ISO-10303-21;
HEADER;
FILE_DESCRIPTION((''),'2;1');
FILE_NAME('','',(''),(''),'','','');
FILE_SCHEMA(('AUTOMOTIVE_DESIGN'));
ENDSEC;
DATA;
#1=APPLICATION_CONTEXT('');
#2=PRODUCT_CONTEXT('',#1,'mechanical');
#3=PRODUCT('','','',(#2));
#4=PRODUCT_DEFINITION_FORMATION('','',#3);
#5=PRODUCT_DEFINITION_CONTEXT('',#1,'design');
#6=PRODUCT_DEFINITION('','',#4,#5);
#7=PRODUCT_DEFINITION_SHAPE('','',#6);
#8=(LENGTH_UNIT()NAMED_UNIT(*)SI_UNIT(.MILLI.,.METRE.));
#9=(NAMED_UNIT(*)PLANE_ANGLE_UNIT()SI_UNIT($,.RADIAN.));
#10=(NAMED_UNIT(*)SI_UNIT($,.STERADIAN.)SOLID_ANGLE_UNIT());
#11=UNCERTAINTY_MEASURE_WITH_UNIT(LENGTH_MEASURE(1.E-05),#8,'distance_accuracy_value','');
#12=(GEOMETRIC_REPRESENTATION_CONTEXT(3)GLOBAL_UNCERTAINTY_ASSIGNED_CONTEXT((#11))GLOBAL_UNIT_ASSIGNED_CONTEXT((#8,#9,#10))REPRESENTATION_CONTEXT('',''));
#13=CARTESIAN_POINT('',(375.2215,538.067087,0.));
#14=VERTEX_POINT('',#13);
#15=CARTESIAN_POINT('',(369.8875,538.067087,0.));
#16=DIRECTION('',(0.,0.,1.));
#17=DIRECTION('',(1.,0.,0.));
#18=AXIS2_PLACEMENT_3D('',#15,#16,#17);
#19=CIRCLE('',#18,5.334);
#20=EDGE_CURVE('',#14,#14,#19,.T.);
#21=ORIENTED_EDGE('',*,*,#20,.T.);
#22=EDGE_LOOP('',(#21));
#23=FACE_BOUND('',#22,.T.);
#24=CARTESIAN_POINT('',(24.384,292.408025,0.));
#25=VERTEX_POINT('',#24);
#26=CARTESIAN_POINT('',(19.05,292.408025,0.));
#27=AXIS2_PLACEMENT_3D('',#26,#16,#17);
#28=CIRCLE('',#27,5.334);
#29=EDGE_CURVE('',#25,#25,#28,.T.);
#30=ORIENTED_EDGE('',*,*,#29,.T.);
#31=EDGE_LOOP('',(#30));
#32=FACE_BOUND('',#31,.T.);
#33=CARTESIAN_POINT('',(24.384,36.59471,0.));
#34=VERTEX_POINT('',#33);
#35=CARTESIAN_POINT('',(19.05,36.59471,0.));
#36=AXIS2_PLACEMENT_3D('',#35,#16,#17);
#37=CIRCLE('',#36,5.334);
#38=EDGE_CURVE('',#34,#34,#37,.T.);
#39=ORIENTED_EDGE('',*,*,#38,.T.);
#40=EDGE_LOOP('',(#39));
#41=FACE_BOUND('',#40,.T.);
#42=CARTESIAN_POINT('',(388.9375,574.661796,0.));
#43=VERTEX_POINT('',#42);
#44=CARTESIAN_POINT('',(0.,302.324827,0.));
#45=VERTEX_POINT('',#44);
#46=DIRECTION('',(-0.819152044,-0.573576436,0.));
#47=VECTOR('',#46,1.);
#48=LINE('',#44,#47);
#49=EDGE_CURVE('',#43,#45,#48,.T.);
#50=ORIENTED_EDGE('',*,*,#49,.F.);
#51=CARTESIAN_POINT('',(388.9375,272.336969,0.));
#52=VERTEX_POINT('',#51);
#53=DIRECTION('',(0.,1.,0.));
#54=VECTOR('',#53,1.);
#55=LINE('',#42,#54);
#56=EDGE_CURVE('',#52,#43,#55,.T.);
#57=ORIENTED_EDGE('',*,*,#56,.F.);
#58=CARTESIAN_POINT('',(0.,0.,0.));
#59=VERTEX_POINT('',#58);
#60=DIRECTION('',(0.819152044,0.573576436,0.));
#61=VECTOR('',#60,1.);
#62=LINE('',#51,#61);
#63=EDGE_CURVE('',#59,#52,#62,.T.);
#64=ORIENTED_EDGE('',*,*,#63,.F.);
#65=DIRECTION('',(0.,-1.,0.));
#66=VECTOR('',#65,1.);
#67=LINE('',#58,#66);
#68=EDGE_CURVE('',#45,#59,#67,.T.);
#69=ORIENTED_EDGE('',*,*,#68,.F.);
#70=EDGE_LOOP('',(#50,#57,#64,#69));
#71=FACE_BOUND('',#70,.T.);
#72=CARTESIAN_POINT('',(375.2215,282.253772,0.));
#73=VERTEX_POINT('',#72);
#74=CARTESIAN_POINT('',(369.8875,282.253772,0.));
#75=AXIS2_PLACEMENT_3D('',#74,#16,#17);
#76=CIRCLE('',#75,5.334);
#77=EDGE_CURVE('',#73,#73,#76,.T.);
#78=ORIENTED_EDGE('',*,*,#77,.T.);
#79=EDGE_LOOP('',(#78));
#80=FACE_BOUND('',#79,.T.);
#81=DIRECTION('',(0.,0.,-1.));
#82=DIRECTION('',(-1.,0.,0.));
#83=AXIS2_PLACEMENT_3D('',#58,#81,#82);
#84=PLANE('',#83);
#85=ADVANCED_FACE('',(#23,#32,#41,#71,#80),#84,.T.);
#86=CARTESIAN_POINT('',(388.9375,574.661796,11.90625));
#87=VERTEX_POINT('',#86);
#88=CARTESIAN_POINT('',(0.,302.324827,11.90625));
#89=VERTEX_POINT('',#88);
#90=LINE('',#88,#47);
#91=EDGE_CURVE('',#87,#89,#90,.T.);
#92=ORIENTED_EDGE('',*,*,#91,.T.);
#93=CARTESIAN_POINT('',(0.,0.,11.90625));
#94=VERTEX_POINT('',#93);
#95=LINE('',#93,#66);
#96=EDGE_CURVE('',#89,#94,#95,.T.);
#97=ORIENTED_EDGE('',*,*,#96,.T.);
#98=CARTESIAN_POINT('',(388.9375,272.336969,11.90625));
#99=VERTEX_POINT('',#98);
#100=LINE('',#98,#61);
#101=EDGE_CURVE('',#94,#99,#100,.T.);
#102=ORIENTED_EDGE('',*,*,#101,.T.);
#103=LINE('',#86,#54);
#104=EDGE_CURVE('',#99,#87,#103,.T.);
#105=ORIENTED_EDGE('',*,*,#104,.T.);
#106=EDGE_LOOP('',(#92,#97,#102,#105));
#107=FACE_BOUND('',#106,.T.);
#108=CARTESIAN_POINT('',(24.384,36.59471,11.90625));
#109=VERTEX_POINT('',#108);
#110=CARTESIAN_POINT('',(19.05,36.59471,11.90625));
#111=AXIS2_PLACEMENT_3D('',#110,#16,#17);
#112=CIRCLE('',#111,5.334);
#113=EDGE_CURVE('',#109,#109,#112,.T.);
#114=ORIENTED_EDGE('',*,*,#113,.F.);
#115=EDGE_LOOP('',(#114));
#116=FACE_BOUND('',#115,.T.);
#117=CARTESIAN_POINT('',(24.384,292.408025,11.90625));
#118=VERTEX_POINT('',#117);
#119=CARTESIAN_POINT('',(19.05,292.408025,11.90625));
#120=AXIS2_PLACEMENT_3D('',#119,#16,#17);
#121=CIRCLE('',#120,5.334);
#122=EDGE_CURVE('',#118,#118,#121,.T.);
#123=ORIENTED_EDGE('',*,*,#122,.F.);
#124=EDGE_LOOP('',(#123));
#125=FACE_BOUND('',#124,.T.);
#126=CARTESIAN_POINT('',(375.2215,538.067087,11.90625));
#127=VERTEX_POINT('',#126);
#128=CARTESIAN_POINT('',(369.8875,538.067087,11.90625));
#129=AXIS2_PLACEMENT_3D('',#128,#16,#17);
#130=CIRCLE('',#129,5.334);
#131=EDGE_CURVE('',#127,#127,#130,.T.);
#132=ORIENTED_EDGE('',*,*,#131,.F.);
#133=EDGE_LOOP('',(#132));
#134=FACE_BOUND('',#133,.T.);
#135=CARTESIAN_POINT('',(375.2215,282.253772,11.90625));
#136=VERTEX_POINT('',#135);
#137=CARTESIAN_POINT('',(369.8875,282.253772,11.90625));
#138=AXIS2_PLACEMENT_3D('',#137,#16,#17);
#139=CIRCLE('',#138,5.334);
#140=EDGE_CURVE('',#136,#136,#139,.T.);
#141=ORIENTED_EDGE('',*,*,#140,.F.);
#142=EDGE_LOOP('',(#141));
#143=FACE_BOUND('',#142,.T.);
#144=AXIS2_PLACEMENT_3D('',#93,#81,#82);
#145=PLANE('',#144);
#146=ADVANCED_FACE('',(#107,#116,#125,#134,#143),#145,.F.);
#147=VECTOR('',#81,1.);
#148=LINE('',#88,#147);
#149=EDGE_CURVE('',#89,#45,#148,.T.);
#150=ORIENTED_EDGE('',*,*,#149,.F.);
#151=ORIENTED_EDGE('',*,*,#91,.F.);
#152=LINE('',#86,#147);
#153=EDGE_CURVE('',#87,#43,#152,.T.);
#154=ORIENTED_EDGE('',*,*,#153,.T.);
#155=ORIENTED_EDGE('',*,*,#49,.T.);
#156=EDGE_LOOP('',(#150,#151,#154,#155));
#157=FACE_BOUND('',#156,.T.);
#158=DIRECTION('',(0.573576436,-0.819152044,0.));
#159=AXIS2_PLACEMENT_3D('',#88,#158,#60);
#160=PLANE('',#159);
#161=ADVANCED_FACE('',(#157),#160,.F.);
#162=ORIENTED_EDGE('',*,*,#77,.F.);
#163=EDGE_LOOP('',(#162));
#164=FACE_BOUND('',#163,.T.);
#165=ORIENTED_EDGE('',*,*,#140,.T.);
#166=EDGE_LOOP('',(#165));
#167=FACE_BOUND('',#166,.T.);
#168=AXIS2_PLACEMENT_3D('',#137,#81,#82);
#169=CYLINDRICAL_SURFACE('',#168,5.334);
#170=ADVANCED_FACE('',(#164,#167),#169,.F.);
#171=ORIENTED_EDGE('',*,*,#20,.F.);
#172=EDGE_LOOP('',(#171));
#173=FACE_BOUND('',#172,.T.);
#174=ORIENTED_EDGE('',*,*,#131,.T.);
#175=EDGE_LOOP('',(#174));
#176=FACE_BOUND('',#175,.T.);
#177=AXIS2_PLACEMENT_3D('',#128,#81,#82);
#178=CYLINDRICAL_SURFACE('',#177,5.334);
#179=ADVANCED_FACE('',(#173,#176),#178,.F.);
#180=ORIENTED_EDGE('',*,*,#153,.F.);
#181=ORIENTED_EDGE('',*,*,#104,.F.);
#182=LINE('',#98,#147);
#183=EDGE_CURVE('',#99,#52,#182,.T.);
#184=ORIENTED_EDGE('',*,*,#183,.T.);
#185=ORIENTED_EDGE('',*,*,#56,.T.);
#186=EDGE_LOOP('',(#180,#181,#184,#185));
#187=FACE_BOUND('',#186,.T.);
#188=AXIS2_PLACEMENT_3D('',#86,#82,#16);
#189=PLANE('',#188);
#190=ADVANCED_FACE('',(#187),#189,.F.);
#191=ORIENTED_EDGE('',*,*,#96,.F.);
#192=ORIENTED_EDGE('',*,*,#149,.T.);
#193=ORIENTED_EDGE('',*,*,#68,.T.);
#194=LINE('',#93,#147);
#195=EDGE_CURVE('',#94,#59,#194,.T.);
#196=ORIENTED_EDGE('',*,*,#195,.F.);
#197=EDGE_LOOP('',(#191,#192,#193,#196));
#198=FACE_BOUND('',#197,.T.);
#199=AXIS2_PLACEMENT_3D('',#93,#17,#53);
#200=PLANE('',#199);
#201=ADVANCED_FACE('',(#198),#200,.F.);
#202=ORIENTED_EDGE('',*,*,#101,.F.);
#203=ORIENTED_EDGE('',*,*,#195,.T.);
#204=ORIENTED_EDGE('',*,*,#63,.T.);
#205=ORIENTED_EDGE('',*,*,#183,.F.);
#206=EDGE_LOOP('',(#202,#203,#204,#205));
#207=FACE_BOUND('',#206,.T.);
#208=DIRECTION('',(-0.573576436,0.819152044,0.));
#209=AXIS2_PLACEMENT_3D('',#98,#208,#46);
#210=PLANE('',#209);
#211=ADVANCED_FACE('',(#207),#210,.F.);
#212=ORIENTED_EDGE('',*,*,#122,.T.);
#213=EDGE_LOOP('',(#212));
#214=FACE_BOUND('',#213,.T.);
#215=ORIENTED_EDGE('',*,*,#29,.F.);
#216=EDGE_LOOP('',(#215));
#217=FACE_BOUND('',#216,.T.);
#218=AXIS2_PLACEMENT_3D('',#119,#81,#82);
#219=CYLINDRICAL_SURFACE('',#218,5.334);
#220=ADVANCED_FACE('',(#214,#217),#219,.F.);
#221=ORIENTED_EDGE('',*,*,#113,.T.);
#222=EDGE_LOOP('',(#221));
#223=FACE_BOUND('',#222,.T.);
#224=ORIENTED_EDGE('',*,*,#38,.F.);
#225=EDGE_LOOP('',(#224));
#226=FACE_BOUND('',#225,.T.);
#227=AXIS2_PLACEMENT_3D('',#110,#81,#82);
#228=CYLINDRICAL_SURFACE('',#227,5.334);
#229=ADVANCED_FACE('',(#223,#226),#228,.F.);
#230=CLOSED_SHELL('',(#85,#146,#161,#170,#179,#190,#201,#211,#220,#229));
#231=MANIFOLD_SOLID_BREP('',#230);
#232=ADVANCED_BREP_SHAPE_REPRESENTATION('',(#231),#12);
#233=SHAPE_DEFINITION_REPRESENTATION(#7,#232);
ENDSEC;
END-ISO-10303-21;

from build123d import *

# Parameters (mm, degrees)
SKETCH1_R           = 5.334
BOSS_EXTRUDE1_DEPTH = 11.90625


with BuildPart() as part:
    # Sketch1 → Boss-Extrude1 (new body)
    with BuildSketch(Plane.XY):
        Polygon((0, 0), (0, 302.324826907), (388.9375, 574.661796299), (388.9375, 272.336969392), align=None)
        with Locations((19.05, 292.408024594)):
            Circle(SKETCH1_R, mode=Mode.SUBTRACT)
        with Locations((19.05, 36.594709519)):
            Circle(SKETCH1_R, mode=Mode.SUBTRACT)
        with Locations((369.8875, 282.253771705)):
            Circle(SKETCH1_R, mode=Mode.SUBTRACT)
        with Locations((369.8875, 538.06708678)):
            Circle(SKETCH1_R, mode=Mode.SUBTRACT)
    extrude(amount=BOSS_EXTRUDE1_DEPTH)


solid = part.part
